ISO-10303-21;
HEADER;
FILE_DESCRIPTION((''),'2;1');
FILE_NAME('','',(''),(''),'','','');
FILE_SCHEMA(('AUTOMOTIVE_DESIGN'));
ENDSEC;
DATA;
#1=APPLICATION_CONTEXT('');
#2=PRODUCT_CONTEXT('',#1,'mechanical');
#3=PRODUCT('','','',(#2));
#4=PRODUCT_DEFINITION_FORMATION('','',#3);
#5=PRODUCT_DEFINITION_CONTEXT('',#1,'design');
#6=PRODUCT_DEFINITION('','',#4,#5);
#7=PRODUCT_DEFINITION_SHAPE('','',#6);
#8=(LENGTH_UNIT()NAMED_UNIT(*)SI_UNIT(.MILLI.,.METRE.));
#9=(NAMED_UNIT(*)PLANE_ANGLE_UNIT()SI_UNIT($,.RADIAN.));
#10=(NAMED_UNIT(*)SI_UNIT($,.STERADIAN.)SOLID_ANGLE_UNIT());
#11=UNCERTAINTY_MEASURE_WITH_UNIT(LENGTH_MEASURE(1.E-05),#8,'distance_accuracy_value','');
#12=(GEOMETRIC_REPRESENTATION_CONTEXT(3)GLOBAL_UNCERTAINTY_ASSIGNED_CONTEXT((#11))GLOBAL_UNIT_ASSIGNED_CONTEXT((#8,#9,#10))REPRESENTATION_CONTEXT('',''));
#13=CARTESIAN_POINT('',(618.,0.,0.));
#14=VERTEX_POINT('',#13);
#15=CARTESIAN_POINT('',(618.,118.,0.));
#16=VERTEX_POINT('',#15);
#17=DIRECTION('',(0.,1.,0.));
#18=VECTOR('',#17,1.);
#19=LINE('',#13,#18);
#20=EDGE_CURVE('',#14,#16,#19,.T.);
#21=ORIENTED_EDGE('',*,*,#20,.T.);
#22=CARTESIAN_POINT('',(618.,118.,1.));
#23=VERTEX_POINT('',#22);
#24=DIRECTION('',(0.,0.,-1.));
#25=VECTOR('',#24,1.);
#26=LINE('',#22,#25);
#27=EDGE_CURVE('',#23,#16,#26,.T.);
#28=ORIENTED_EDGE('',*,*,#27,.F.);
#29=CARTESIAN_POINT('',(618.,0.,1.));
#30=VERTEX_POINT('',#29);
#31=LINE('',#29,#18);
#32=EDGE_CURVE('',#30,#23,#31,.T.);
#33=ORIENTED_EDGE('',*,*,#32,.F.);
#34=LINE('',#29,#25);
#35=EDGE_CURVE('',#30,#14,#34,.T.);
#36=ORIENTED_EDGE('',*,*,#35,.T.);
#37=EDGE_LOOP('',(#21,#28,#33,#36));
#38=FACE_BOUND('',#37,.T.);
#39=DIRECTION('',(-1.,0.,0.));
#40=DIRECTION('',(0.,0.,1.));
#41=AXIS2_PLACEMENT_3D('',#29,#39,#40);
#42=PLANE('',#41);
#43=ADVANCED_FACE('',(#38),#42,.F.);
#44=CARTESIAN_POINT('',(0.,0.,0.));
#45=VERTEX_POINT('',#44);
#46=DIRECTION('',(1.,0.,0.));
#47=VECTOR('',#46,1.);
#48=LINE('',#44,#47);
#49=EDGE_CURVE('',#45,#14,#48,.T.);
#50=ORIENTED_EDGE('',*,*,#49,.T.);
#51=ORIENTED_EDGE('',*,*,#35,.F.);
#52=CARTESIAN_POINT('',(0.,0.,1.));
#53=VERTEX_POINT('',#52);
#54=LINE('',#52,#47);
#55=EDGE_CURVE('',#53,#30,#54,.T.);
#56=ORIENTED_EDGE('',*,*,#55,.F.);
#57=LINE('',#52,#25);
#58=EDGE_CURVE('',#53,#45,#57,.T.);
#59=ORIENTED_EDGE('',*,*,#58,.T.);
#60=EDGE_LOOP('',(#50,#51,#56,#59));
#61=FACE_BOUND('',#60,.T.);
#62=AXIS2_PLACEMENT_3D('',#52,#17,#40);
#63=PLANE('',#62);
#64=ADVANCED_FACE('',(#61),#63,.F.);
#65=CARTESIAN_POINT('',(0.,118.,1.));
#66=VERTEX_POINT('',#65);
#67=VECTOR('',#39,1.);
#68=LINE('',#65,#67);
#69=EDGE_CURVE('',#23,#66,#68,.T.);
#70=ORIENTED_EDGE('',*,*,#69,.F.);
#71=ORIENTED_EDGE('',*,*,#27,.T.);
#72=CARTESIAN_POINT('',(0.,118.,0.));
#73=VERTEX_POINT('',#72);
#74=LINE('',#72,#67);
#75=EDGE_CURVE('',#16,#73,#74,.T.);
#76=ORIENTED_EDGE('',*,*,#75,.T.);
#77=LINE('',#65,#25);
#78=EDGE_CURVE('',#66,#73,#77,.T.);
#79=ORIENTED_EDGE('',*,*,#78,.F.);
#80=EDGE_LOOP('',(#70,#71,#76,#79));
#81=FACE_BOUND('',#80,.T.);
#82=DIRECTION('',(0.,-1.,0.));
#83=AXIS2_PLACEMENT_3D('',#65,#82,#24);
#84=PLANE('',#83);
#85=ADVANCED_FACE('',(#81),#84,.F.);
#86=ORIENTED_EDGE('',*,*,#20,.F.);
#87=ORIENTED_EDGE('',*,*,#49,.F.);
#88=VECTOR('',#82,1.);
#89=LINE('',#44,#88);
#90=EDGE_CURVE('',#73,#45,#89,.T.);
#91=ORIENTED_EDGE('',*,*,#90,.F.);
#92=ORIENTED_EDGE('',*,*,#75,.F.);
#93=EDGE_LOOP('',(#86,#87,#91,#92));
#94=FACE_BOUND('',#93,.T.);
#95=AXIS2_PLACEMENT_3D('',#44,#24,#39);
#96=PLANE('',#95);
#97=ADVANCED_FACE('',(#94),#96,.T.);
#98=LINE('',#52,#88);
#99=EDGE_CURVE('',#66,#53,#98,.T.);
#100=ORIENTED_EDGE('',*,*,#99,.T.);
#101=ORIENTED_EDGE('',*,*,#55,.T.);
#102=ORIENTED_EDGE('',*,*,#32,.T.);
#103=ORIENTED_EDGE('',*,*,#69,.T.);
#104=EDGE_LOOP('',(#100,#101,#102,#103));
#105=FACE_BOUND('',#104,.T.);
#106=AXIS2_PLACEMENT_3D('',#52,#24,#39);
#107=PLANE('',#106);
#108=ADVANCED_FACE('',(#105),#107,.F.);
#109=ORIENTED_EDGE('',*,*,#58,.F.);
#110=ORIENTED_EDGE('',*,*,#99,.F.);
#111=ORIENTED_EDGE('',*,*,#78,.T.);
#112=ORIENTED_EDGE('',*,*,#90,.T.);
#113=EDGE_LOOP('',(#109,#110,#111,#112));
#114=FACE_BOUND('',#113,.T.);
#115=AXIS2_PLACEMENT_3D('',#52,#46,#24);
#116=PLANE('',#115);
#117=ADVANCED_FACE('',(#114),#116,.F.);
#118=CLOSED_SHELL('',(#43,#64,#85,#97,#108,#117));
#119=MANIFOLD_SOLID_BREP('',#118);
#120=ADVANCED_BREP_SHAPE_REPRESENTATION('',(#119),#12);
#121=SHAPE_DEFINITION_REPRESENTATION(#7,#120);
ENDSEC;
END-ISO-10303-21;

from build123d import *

# Parameters (mm, degrees)
SKETCH1_W                        = 618
SKETCH1_H                        = 118
CEK_ICECEK_ON_IC_SAC_1_0_1_DEPTH = 1


with BuildPart() as part:
    # Sketch1 → CEK_icecek_on_ic_sac_1.0_1 (new body)
    with BuildSketch(Plane.XY):
        with Locations((309, 59)):
            Rectangle(SKETCH1_W, SKETCH1_H)
    extrude(amount=CEK_ICECEK_ON_IC_SAC_1_0_1_DEPTH)


solid = part.part
